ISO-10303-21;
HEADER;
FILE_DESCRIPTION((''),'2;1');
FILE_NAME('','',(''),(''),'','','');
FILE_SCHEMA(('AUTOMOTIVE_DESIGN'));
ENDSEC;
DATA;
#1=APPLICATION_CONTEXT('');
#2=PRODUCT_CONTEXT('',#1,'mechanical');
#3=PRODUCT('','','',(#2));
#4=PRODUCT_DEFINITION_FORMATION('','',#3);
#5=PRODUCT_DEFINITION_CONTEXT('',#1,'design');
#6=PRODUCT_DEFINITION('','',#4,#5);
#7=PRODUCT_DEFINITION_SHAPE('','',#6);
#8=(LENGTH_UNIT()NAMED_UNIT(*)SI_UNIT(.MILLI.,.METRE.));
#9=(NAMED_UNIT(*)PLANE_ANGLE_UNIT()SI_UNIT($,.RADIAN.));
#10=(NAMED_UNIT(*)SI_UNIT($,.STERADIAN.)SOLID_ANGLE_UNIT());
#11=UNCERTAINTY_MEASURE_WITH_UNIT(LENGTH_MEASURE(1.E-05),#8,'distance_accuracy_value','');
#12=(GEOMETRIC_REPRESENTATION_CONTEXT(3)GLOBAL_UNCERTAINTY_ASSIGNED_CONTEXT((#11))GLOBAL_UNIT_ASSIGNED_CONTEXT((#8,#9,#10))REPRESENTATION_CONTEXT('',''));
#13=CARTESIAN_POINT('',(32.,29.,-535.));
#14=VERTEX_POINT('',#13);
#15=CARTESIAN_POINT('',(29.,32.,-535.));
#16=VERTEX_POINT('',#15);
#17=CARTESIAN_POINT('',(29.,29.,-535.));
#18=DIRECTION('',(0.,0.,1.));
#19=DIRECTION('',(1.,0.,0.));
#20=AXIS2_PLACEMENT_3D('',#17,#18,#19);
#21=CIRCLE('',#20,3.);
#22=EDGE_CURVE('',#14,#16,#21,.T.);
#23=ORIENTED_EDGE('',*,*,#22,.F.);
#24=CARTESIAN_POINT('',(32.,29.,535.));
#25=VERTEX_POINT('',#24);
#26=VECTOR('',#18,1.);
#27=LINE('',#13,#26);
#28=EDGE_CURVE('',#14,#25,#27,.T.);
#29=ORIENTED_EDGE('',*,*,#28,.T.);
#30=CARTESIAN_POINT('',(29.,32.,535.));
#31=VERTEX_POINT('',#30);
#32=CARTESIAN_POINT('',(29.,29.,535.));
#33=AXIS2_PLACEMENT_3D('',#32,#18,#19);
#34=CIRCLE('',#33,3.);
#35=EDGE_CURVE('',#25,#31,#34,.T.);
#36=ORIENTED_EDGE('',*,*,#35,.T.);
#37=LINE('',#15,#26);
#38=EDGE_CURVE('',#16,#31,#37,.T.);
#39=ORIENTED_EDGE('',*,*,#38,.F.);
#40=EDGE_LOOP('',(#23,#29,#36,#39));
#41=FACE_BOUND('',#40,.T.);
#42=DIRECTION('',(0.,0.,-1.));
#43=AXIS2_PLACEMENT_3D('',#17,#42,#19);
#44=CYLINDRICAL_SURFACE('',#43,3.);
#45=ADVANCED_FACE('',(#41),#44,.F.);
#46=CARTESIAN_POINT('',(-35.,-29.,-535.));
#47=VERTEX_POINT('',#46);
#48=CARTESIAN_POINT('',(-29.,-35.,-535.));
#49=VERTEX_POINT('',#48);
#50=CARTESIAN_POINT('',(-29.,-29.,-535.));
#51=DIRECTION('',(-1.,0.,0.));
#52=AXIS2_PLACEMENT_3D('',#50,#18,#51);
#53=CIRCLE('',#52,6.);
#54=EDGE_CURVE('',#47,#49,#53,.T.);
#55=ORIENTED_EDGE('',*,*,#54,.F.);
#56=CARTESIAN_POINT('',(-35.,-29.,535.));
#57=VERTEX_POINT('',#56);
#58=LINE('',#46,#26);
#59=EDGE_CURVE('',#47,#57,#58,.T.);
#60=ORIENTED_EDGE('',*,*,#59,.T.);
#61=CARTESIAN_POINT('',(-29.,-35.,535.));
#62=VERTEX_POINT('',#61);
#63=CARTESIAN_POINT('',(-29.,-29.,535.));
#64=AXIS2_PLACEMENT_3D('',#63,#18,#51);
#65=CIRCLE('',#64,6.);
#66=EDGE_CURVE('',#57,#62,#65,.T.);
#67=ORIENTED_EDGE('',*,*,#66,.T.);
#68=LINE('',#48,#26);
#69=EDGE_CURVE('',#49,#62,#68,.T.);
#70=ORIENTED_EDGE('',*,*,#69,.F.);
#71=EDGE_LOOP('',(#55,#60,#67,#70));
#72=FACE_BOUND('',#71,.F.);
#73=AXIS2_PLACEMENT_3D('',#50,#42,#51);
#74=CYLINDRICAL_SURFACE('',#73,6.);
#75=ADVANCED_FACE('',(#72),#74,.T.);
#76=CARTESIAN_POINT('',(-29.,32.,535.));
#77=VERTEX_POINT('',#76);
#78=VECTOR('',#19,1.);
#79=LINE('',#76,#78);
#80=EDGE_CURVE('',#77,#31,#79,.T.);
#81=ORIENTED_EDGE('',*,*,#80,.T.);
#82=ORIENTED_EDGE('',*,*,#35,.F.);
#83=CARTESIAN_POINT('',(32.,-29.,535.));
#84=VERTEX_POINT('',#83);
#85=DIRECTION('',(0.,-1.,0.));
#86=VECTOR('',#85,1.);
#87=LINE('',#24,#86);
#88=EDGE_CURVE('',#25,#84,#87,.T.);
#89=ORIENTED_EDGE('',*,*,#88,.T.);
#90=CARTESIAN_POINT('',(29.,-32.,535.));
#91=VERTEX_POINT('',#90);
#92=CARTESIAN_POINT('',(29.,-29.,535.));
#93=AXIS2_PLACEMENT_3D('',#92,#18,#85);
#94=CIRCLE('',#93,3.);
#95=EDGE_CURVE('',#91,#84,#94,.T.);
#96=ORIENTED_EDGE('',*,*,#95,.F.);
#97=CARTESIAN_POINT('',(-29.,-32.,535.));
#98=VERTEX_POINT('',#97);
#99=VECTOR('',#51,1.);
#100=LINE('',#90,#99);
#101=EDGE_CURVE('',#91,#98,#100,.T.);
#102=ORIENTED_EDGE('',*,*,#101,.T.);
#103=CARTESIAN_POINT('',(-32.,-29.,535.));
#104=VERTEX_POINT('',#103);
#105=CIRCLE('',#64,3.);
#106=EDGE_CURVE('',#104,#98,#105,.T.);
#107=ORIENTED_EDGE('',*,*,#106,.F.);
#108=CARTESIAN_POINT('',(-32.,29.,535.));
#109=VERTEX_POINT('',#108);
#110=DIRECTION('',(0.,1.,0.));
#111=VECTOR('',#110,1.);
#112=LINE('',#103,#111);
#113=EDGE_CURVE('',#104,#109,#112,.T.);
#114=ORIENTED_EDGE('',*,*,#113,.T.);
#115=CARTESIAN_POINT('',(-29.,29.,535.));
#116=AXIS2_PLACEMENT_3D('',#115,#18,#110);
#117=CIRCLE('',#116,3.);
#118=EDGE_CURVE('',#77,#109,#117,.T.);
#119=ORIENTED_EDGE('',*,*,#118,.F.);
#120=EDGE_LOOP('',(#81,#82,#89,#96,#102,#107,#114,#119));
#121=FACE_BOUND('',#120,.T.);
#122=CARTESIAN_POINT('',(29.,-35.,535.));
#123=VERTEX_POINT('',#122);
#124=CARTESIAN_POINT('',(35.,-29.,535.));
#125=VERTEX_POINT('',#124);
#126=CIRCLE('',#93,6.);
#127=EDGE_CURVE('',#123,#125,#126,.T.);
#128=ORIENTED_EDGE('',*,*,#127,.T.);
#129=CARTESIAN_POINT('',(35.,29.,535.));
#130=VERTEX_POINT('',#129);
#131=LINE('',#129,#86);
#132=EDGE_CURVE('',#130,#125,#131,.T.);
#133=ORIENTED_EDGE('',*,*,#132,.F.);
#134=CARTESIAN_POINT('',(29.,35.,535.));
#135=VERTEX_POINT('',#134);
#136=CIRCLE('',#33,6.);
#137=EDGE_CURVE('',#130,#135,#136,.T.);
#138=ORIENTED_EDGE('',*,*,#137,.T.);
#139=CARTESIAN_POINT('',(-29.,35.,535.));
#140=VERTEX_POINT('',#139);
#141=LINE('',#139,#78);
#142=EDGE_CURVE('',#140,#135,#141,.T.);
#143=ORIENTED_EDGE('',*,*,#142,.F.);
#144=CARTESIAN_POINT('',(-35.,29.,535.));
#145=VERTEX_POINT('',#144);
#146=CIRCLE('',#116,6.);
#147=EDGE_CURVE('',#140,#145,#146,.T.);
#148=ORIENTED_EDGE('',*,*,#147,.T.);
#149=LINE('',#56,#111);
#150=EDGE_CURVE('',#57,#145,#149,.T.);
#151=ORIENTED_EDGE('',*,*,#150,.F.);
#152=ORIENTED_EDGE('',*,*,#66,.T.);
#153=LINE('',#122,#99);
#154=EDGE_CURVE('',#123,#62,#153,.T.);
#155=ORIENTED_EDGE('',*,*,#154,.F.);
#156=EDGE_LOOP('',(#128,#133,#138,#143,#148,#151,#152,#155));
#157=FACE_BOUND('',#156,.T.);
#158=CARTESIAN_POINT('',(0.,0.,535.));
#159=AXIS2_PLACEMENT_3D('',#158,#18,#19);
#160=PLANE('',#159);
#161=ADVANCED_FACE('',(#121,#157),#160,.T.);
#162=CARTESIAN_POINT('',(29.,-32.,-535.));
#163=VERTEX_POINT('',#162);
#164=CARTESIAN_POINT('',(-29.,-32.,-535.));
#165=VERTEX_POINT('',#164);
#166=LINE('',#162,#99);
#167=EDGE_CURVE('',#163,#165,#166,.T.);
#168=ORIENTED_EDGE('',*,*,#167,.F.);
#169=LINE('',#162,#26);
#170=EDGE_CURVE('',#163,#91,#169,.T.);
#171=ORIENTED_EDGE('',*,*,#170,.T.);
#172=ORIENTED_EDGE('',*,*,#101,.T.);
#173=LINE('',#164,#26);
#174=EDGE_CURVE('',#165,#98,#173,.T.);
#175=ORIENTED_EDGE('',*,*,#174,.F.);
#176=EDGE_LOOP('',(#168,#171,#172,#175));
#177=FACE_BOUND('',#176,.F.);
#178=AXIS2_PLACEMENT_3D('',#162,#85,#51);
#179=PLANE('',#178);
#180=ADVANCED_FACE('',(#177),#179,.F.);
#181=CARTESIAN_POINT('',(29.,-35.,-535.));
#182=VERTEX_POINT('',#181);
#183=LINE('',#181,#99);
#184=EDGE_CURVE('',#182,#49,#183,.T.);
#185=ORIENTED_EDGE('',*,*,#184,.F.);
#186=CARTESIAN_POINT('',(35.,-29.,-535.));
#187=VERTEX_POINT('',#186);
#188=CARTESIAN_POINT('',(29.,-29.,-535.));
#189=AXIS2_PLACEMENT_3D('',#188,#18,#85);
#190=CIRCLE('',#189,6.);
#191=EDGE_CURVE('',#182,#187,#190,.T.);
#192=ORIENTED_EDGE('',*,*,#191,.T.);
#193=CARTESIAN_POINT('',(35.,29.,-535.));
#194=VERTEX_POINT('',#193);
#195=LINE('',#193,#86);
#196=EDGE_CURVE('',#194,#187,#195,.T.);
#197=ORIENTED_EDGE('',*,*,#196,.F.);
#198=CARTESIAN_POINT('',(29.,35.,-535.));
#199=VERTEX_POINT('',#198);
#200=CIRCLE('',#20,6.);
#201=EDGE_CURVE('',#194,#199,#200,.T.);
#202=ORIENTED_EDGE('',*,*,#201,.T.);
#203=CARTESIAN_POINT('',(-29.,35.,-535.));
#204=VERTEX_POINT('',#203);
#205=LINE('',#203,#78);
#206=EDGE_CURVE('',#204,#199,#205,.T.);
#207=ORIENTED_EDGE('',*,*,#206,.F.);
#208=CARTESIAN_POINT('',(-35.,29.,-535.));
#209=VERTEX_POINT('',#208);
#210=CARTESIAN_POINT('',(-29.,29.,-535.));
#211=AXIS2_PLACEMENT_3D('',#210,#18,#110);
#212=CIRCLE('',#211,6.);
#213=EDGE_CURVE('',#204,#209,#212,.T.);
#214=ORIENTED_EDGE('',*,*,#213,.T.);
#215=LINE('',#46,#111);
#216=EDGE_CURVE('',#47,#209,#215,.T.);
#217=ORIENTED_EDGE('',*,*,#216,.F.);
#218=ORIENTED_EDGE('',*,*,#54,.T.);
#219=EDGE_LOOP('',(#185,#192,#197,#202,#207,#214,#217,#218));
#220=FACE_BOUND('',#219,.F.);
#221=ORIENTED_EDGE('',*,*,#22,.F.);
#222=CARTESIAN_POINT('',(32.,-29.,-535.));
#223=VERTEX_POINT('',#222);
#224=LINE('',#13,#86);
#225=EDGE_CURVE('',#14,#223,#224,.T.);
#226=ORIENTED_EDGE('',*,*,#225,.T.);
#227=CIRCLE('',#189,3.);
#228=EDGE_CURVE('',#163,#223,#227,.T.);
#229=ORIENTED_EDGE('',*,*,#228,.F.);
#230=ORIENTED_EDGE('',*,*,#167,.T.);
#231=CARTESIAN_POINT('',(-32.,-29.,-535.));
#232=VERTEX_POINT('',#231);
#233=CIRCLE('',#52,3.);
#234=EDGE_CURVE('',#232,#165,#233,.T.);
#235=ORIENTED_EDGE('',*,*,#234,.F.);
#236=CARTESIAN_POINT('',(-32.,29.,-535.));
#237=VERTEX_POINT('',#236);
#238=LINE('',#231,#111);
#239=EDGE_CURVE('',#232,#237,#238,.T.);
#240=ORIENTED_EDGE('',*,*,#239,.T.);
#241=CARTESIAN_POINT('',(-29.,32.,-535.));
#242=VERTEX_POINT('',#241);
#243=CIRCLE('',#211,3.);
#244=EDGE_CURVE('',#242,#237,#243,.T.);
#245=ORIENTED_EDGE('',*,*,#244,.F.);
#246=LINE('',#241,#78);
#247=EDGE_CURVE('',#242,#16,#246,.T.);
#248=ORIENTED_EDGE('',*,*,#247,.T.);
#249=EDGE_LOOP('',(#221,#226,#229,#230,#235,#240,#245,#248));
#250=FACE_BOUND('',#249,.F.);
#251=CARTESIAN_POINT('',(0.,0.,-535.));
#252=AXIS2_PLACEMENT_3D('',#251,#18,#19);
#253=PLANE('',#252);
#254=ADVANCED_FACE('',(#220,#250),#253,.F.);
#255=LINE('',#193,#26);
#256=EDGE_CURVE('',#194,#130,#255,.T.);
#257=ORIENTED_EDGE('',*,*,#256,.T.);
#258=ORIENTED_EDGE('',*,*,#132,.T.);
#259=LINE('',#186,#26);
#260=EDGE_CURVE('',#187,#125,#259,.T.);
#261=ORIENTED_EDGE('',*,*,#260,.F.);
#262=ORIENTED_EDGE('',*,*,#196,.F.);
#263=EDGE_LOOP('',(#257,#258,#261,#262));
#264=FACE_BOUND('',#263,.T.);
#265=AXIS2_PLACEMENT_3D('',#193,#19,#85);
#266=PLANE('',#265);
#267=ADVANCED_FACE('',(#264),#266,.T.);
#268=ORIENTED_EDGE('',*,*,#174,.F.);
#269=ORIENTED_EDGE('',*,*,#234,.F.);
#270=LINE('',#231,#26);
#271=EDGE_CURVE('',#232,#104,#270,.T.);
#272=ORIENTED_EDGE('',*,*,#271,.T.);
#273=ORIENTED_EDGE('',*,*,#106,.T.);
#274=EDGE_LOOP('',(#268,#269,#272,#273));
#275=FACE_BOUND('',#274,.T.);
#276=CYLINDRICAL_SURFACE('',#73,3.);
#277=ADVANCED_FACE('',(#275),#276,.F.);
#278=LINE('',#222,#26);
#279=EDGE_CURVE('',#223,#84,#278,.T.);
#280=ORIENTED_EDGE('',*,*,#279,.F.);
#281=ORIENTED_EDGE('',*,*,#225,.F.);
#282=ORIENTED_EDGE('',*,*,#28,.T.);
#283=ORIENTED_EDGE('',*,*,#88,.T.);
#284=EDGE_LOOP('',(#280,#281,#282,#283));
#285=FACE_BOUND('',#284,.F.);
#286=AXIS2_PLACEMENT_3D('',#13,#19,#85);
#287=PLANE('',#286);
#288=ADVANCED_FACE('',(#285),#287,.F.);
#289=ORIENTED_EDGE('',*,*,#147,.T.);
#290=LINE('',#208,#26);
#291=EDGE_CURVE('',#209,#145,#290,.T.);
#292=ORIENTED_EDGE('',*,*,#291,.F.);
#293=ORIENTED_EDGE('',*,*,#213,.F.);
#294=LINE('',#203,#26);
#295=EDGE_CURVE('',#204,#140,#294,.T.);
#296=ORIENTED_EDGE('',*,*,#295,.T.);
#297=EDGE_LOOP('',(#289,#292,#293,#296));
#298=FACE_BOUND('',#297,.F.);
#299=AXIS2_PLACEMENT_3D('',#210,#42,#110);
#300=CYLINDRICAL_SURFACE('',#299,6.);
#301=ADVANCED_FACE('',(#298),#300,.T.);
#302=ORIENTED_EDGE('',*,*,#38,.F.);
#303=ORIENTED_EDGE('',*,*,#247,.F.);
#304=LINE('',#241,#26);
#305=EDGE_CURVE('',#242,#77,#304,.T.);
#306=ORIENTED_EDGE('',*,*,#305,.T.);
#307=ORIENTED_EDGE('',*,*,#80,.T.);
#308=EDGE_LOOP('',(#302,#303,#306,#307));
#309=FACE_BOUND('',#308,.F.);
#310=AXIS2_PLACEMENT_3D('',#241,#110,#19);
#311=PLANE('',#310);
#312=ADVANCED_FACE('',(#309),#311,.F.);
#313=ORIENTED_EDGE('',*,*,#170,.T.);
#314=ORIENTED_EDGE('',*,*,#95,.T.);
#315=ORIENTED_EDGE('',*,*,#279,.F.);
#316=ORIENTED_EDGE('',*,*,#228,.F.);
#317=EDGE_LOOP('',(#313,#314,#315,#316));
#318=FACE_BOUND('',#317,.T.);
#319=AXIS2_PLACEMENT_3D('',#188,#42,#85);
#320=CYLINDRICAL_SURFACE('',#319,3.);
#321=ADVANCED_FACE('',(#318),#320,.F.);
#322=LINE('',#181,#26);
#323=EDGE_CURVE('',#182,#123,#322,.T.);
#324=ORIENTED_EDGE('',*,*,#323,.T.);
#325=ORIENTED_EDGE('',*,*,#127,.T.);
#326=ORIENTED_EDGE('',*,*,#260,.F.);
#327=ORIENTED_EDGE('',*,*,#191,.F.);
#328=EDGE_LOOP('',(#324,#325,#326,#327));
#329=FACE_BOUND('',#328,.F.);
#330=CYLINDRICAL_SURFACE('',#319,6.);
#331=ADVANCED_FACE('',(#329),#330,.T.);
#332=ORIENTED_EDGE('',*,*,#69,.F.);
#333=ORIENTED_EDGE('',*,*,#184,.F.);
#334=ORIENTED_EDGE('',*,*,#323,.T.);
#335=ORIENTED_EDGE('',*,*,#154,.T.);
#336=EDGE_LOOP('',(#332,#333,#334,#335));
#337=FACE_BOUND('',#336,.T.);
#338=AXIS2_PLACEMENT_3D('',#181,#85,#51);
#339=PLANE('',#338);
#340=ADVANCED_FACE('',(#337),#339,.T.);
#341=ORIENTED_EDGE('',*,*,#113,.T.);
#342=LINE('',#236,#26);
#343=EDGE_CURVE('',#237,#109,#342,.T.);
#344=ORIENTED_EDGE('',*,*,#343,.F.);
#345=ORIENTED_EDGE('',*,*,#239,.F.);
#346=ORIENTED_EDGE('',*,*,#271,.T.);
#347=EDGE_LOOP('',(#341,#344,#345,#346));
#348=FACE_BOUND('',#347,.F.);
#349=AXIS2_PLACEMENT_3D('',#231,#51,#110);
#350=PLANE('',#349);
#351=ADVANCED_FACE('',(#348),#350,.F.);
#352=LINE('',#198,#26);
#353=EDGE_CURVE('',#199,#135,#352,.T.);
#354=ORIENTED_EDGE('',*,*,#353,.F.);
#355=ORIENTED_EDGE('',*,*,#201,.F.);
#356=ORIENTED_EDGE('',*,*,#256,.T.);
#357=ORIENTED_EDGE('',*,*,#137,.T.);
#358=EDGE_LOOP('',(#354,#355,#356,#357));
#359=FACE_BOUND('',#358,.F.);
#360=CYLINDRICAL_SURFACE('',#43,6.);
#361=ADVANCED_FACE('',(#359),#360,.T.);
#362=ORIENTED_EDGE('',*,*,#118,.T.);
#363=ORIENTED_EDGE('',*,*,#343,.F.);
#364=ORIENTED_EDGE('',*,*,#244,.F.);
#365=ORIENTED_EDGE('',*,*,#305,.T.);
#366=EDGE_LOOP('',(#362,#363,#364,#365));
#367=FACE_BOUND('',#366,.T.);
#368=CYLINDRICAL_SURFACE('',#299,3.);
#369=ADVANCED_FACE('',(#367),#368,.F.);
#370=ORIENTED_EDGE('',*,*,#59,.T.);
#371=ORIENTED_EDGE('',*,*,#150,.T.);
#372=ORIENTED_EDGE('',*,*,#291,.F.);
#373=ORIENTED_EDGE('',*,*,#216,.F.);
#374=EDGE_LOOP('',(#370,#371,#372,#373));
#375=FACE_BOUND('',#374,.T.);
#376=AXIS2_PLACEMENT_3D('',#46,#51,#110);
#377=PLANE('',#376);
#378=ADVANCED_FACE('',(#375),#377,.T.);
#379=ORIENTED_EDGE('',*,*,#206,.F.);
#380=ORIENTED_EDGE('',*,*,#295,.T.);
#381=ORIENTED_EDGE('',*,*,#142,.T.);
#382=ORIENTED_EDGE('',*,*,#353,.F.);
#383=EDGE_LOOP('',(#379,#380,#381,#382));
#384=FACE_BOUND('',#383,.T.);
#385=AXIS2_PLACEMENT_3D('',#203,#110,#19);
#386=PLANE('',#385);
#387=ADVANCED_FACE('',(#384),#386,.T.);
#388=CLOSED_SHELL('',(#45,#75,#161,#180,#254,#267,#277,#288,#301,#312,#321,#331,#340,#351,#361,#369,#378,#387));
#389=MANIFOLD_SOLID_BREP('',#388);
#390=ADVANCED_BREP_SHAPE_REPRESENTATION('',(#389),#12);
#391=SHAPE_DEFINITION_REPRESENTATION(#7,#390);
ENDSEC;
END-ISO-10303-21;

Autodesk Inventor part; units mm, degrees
ref_plane "Plano inicial" through (0, 0, -535) normal (0, 0, 1) x (1, 0, 0)
ref_plane "Plano final" through (0, 0, 535) normal (0, 0, 1) x (1, 0, 0)
sketch "Boceto" plane through (0, 0, 0) normal (0, 0, 1) x (1, 0, 0)
  line L0 (-35, -29) -> (-35, 29)
  line L1 (-29, 35) -> (29, 35)
  line L2 (35, 29) -> (35, -29)
  line L3 (29, -35) -> (-29, -35)
  arc A0 (-35, -29) -> (-29, -35) centre (-29, -29) ccw
  arc A1 (35, 29) -> (29, 35) centre (29, 29) ccw
  arc A2 (-29, 35) -> (-35, 29) centre (-29, 29) ccw
  arc A3 (29, -35) -> (35, -29) centre (29, -29) ccw
  arc A4 (-29, 32) -> (-32, 29) centre (-29, 29) ccw
  line L4 (-29, 32) -> (29, 32)
  arc A5 (32, 29) -> (29, 32) centre (29, 29) ccw
  line L5 (32, 29) -> (32, -29)
  arc A6 (29, -32) -> (32, -29) centre (29, -29) ccw
  line L6 (29, -32) -> (-29, -32)
  arc A7 (-32, -29) -> (-29, -32) centre (-29, -29) ccw
  line L7 (-32, -29) -> (-32, 29)
  line L8 (0, 50.7397) -> (0, -50.7397) construction
  line L9 (-50.7397, 0) -> (50.7397, 0) construction
  dimension "d7" = 6
  dimension "d9" = 70
  dimension "d11" = 70
  dimension "d12" = 3
  dimension "d15" = 35
  dimension "d16" = 35
extrude "Cuerpo" add sketch "Boceto" along normal up to surface (1070 mm away) from surface at -535
sketch "Sketch3" plane through (0, 0, 0) normal (0, 0, 1) x (1, 0, 0)
  line L0 (0, 0) -> (10, 0)
ref_plane "Work Plane3" through (0, 0, 0) normal (0, -1, 0) x (1, 0, 0)
sketch "Sketch4" plane through (0, 0, 0) normal (0, -1, 0) x (1, 0, 0)
  line L0 (-2, -535) -> (12, -535)
  line L1 (-2, 535) -> (12, 535)
  dimension "d18" = 1070
ref_plane "Plano de trabajo4" through (2315, -29, -535) normal (0, 0, -1) x (-1, 0, 0)
split "Dividir1" plane through (2315, -29, -535) removes the side toward (0, 0, -1)
ref_plane "Plano de trabajo5" through (0, -29, 535) normal (0, 0, 1) x (1, 0, 0)
split "Dividir2" plane through (0, -29, 535) removes the side toward (0, 0, 1)
equation "\"d7\" = G_IR"
equation "\"d9\" = G_W"
equation "\"d11\" = G_H"
equation "\"d12\" = G_T"
equation "\"d15\" = 0.5 * d9"
equation "\"d16\" = 0.5 * d11"
equation "\"d3\" = G_L"
equation "\"G_W\" = 70"
equation "\"G_H\" = 70"
equation "\"G_T\" = 3"
equation "\"G_IR\" = 6"
equation "\"G_L\" = d18"
equation "\"G_OFFSET_START\" = 535"
equation "\"G_OFFSET_END\" = 35"
equation "\"d13\" = -G_OFFSET_START"
equation "\"d14\" = G_OFFSET_END + B_L"
equation "\"B_L\" = 500"
properties part number "ISO 10799-2 - 70x70x3 - 1070" material "Galvanizado catalogo 2"
